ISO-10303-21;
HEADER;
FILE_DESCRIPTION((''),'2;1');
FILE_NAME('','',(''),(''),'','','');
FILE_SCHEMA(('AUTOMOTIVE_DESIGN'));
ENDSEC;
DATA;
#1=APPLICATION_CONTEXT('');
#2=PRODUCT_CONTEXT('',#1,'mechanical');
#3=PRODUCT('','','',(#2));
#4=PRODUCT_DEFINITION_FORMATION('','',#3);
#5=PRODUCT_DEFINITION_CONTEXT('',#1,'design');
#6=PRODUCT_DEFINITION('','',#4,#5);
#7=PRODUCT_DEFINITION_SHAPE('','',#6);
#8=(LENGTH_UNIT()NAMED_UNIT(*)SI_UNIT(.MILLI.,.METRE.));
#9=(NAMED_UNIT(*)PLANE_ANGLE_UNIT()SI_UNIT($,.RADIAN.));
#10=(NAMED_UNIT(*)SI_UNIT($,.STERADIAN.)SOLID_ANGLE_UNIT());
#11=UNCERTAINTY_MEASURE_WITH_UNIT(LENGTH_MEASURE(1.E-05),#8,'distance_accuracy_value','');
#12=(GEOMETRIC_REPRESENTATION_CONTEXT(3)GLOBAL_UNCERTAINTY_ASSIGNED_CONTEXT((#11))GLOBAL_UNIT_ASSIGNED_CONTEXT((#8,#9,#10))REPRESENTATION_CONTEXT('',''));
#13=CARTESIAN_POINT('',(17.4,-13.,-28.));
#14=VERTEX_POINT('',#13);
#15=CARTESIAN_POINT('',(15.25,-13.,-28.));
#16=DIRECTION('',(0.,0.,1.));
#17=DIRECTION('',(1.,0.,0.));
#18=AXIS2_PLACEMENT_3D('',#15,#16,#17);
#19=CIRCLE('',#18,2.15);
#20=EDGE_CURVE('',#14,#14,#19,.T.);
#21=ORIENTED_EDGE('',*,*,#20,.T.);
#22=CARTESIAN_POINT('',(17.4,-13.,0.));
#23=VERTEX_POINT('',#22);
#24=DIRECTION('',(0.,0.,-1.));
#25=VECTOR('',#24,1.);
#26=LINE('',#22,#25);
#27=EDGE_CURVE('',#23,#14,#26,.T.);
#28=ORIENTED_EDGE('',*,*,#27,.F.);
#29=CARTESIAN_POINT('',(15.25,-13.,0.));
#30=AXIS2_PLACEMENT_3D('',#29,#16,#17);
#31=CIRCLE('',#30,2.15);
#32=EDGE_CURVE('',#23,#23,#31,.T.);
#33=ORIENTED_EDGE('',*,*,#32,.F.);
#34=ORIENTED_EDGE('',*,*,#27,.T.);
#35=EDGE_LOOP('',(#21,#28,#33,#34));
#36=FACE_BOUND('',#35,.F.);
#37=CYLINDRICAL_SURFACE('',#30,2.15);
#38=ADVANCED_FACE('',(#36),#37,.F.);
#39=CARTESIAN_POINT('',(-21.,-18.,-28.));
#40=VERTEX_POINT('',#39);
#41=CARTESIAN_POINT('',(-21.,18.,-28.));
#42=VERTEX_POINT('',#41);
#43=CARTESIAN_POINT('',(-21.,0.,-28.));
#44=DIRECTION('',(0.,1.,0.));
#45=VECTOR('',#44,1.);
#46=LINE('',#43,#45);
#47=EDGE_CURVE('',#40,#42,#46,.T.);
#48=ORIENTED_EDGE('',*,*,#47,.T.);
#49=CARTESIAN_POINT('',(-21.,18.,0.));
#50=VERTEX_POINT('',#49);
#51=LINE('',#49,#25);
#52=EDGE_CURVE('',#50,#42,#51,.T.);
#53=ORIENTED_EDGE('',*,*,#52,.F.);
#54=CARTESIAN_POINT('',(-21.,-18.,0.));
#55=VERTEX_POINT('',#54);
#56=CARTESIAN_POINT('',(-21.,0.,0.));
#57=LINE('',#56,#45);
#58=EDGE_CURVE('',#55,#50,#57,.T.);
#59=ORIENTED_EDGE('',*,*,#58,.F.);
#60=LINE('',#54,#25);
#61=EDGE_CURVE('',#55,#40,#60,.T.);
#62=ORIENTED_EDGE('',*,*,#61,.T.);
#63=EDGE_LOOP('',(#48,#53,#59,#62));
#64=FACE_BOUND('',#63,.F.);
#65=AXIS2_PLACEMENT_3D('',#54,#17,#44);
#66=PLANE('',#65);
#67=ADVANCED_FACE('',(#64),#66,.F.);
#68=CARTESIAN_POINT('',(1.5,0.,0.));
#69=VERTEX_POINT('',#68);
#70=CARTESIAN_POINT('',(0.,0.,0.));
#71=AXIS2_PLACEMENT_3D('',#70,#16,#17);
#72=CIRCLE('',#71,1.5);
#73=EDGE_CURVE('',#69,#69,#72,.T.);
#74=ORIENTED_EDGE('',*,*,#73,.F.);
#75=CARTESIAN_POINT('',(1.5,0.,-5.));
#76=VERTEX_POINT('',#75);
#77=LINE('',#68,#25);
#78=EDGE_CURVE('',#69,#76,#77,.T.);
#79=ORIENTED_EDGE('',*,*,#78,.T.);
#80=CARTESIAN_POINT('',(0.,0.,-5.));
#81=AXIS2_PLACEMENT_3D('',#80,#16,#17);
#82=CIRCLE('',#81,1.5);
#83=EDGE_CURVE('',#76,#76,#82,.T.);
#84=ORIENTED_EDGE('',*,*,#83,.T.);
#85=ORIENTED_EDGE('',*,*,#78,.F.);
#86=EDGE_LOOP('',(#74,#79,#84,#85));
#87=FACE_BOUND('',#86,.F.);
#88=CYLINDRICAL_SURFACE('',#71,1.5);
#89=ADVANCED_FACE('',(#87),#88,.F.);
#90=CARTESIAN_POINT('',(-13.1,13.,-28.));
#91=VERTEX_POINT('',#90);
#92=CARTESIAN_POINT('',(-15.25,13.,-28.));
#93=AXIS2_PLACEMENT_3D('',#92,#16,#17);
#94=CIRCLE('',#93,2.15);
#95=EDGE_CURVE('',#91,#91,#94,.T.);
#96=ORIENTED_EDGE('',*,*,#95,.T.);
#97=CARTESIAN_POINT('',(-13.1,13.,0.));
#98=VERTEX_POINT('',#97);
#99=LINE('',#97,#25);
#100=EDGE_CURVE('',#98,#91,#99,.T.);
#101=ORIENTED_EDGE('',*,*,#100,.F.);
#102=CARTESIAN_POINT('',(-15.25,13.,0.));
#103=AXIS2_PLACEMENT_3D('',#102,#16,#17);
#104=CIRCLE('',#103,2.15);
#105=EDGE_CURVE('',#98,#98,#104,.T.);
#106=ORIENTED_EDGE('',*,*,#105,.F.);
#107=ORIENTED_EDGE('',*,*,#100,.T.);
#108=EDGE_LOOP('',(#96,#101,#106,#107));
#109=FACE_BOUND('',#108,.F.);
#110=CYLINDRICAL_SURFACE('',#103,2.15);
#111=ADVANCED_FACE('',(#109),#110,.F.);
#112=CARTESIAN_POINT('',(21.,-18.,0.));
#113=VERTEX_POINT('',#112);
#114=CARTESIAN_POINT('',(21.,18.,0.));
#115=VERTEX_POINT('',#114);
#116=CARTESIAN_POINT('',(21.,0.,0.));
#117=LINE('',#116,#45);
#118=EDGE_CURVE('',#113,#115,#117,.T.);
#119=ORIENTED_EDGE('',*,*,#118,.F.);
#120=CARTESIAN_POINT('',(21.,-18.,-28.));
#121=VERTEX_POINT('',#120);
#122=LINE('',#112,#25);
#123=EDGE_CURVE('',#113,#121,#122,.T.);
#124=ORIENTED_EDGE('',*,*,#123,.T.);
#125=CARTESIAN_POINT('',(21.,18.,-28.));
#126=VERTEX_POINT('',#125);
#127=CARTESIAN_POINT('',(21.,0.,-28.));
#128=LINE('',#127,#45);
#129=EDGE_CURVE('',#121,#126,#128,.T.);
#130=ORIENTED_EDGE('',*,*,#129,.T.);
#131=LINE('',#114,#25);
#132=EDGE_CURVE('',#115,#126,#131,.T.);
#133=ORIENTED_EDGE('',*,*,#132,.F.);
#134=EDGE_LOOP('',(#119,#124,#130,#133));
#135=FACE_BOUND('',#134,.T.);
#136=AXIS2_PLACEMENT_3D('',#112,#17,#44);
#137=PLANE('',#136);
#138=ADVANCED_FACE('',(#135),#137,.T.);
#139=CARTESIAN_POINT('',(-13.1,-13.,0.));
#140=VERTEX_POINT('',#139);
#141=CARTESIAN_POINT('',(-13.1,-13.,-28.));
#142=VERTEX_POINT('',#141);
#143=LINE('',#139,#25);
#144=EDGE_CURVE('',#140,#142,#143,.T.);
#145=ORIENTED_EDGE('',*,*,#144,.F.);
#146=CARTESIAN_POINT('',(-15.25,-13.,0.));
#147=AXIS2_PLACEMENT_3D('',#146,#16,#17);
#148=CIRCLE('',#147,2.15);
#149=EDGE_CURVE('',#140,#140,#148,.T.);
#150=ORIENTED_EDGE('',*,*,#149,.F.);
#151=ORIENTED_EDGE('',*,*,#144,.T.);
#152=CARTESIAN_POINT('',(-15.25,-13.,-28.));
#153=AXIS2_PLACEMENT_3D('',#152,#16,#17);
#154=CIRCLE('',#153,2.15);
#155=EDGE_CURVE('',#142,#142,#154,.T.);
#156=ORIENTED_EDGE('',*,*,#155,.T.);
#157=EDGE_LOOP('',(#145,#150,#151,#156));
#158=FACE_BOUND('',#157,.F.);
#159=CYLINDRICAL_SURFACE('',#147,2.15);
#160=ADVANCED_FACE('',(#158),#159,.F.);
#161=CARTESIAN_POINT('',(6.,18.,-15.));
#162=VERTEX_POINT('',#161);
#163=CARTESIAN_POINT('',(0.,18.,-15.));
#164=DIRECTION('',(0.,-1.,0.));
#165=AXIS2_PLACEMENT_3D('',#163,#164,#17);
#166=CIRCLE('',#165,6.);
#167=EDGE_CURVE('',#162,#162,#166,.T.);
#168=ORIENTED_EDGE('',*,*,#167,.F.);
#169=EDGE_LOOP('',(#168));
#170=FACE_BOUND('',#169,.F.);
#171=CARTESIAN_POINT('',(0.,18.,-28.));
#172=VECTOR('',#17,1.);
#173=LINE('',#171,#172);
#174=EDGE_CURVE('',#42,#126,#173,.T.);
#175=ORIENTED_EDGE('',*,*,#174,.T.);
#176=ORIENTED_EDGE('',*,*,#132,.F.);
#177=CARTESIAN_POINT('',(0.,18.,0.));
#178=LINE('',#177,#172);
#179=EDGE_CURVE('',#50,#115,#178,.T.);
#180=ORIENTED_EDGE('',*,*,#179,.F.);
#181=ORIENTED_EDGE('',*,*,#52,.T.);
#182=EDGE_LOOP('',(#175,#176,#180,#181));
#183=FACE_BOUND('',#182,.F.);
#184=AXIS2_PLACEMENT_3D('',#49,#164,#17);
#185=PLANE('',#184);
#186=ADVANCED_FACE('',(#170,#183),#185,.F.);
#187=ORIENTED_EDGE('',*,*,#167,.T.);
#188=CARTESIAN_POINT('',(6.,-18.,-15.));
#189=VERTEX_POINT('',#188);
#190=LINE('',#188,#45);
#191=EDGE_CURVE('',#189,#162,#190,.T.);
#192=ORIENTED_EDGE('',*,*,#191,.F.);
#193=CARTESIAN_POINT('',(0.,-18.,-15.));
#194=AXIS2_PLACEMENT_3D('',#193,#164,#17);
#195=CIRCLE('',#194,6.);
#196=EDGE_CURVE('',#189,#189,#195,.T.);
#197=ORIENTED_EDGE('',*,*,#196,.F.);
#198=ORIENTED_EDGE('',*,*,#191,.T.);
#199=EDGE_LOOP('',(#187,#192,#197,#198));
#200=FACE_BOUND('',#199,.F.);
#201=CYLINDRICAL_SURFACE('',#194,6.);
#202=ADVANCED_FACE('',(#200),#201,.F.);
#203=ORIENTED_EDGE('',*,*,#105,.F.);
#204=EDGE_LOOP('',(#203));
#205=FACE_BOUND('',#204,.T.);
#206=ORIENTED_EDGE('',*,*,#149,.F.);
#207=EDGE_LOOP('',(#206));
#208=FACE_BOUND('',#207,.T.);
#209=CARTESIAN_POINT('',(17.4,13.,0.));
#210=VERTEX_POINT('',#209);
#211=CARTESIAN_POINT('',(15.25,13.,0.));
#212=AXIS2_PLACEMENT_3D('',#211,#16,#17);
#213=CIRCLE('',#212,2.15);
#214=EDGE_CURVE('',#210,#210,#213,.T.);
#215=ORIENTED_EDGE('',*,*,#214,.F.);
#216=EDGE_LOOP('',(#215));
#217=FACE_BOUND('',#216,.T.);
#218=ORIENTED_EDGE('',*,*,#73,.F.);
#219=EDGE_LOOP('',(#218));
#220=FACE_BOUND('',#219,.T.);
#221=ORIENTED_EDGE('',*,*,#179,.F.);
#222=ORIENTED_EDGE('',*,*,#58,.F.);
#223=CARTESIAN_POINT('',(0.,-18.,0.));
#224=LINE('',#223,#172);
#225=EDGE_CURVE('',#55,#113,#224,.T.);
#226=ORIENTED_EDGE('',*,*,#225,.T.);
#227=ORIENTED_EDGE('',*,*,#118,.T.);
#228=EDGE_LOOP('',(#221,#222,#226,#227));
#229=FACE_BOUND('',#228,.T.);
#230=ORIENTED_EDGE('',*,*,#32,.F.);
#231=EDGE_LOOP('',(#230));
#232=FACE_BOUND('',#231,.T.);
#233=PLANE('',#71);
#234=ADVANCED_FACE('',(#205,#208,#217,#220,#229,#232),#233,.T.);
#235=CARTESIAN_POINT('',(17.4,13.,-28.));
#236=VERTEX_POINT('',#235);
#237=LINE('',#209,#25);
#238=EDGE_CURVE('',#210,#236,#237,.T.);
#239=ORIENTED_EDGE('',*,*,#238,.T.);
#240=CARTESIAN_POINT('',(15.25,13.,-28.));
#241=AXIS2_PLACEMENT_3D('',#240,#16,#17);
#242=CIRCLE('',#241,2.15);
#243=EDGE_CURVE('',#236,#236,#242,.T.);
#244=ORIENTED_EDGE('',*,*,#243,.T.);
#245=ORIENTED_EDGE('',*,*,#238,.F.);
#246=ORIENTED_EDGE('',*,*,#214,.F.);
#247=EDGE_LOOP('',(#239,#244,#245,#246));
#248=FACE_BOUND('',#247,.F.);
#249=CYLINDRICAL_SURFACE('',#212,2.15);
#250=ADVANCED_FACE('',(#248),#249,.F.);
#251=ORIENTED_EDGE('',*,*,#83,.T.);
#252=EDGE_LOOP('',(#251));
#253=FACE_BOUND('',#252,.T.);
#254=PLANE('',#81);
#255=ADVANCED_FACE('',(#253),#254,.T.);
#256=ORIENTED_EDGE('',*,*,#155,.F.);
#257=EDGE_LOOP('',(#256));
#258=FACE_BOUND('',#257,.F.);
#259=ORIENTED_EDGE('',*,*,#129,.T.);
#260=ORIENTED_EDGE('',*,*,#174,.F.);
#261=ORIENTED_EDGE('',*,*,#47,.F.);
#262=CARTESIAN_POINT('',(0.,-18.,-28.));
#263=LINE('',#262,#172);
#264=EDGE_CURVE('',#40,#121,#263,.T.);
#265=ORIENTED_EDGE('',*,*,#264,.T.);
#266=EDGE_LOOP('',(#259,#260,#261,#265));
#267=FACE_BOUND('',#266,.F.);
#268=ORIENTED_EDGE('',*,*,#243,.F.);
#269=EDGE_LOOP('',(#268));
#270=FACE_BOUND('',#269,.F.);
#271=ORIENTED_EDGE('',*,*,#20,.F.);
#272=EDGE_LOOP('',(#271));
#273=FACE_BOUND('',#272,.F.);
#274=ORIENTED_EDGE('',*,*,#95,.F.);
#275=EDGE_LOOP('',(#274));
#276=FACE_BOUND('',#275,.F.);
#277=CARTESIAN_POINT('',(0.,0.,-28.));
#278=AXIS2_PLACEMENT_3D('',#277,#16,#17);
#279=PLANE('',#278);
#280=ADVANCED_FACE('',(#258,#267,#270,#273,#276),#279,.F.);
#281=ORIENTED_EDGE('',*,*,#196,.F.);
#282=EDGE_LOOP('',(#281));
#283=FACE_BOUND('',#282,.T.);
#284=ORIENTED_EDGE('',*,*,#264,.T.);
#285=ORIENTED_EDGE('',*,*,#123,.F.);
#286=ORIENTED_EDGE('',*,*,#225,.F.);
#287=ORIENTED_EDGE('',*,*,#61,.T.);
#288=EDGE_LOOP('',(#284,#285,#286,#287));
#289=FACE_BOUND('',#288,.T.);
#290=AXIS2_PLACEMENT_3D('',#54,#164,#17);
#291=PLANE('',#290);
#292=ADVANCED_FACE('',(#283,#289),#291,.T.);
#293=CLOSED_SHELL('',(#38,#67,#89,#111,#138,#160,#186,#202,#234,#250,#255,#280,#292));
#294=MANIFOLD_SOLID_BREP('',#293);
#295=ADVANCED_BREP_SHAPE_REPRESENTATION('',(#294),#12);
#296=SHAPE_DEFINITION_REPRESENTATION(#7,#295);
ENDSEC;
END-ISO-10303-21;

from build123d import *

# Parameters (mm, degrees)
F0_W     = 42
F0_H     = 36
F0_R     = 2.15
F1_DEPTH = 28
F2_R     = 6
F3_DEPTH = 36
F4_R     = 1.5
F5_DEPTH = 5


with BuildPart() as f1:
    # F0 (on Top) → F1 (new body)
    with BuildSketch(Plane.XY):
        Rectangle(F0_W, F0_H)
        with Locations((-15.25, -13)):
            Circle(F0_R, mode=Mode.SUBTRACT)
        with Locations((15.25, -13)):
            Circle(F0_R, mode=Mode.SUBTRACT)
        with Locations((-15.25, 13)):
            Circle(F0_R, mode=Mode.SUBTRACT)
        with Locations((15.25, 13)):
            Circle(F0_R, mode=Mode.SUBTRACT)
    extrude(amount=-F1_DEPTH)

    # F2 (on face) → F3 (cut)
    with BuildSketch(Plane.XZ.offset(18)):
        with Locations((0, -15)):
            Circle(F2_R)
    extrude(amount=-F3_DEPTH, mode=Mode.SUBTRACT)

    # F4 (on face) → F5 (cut)
    with BuildSketch(Plane.XY):
        Circle(F4_R)
    extrude(amount=-F5_DEPTH, mode=Mode.SUBTRACT)


solid = f1.part
